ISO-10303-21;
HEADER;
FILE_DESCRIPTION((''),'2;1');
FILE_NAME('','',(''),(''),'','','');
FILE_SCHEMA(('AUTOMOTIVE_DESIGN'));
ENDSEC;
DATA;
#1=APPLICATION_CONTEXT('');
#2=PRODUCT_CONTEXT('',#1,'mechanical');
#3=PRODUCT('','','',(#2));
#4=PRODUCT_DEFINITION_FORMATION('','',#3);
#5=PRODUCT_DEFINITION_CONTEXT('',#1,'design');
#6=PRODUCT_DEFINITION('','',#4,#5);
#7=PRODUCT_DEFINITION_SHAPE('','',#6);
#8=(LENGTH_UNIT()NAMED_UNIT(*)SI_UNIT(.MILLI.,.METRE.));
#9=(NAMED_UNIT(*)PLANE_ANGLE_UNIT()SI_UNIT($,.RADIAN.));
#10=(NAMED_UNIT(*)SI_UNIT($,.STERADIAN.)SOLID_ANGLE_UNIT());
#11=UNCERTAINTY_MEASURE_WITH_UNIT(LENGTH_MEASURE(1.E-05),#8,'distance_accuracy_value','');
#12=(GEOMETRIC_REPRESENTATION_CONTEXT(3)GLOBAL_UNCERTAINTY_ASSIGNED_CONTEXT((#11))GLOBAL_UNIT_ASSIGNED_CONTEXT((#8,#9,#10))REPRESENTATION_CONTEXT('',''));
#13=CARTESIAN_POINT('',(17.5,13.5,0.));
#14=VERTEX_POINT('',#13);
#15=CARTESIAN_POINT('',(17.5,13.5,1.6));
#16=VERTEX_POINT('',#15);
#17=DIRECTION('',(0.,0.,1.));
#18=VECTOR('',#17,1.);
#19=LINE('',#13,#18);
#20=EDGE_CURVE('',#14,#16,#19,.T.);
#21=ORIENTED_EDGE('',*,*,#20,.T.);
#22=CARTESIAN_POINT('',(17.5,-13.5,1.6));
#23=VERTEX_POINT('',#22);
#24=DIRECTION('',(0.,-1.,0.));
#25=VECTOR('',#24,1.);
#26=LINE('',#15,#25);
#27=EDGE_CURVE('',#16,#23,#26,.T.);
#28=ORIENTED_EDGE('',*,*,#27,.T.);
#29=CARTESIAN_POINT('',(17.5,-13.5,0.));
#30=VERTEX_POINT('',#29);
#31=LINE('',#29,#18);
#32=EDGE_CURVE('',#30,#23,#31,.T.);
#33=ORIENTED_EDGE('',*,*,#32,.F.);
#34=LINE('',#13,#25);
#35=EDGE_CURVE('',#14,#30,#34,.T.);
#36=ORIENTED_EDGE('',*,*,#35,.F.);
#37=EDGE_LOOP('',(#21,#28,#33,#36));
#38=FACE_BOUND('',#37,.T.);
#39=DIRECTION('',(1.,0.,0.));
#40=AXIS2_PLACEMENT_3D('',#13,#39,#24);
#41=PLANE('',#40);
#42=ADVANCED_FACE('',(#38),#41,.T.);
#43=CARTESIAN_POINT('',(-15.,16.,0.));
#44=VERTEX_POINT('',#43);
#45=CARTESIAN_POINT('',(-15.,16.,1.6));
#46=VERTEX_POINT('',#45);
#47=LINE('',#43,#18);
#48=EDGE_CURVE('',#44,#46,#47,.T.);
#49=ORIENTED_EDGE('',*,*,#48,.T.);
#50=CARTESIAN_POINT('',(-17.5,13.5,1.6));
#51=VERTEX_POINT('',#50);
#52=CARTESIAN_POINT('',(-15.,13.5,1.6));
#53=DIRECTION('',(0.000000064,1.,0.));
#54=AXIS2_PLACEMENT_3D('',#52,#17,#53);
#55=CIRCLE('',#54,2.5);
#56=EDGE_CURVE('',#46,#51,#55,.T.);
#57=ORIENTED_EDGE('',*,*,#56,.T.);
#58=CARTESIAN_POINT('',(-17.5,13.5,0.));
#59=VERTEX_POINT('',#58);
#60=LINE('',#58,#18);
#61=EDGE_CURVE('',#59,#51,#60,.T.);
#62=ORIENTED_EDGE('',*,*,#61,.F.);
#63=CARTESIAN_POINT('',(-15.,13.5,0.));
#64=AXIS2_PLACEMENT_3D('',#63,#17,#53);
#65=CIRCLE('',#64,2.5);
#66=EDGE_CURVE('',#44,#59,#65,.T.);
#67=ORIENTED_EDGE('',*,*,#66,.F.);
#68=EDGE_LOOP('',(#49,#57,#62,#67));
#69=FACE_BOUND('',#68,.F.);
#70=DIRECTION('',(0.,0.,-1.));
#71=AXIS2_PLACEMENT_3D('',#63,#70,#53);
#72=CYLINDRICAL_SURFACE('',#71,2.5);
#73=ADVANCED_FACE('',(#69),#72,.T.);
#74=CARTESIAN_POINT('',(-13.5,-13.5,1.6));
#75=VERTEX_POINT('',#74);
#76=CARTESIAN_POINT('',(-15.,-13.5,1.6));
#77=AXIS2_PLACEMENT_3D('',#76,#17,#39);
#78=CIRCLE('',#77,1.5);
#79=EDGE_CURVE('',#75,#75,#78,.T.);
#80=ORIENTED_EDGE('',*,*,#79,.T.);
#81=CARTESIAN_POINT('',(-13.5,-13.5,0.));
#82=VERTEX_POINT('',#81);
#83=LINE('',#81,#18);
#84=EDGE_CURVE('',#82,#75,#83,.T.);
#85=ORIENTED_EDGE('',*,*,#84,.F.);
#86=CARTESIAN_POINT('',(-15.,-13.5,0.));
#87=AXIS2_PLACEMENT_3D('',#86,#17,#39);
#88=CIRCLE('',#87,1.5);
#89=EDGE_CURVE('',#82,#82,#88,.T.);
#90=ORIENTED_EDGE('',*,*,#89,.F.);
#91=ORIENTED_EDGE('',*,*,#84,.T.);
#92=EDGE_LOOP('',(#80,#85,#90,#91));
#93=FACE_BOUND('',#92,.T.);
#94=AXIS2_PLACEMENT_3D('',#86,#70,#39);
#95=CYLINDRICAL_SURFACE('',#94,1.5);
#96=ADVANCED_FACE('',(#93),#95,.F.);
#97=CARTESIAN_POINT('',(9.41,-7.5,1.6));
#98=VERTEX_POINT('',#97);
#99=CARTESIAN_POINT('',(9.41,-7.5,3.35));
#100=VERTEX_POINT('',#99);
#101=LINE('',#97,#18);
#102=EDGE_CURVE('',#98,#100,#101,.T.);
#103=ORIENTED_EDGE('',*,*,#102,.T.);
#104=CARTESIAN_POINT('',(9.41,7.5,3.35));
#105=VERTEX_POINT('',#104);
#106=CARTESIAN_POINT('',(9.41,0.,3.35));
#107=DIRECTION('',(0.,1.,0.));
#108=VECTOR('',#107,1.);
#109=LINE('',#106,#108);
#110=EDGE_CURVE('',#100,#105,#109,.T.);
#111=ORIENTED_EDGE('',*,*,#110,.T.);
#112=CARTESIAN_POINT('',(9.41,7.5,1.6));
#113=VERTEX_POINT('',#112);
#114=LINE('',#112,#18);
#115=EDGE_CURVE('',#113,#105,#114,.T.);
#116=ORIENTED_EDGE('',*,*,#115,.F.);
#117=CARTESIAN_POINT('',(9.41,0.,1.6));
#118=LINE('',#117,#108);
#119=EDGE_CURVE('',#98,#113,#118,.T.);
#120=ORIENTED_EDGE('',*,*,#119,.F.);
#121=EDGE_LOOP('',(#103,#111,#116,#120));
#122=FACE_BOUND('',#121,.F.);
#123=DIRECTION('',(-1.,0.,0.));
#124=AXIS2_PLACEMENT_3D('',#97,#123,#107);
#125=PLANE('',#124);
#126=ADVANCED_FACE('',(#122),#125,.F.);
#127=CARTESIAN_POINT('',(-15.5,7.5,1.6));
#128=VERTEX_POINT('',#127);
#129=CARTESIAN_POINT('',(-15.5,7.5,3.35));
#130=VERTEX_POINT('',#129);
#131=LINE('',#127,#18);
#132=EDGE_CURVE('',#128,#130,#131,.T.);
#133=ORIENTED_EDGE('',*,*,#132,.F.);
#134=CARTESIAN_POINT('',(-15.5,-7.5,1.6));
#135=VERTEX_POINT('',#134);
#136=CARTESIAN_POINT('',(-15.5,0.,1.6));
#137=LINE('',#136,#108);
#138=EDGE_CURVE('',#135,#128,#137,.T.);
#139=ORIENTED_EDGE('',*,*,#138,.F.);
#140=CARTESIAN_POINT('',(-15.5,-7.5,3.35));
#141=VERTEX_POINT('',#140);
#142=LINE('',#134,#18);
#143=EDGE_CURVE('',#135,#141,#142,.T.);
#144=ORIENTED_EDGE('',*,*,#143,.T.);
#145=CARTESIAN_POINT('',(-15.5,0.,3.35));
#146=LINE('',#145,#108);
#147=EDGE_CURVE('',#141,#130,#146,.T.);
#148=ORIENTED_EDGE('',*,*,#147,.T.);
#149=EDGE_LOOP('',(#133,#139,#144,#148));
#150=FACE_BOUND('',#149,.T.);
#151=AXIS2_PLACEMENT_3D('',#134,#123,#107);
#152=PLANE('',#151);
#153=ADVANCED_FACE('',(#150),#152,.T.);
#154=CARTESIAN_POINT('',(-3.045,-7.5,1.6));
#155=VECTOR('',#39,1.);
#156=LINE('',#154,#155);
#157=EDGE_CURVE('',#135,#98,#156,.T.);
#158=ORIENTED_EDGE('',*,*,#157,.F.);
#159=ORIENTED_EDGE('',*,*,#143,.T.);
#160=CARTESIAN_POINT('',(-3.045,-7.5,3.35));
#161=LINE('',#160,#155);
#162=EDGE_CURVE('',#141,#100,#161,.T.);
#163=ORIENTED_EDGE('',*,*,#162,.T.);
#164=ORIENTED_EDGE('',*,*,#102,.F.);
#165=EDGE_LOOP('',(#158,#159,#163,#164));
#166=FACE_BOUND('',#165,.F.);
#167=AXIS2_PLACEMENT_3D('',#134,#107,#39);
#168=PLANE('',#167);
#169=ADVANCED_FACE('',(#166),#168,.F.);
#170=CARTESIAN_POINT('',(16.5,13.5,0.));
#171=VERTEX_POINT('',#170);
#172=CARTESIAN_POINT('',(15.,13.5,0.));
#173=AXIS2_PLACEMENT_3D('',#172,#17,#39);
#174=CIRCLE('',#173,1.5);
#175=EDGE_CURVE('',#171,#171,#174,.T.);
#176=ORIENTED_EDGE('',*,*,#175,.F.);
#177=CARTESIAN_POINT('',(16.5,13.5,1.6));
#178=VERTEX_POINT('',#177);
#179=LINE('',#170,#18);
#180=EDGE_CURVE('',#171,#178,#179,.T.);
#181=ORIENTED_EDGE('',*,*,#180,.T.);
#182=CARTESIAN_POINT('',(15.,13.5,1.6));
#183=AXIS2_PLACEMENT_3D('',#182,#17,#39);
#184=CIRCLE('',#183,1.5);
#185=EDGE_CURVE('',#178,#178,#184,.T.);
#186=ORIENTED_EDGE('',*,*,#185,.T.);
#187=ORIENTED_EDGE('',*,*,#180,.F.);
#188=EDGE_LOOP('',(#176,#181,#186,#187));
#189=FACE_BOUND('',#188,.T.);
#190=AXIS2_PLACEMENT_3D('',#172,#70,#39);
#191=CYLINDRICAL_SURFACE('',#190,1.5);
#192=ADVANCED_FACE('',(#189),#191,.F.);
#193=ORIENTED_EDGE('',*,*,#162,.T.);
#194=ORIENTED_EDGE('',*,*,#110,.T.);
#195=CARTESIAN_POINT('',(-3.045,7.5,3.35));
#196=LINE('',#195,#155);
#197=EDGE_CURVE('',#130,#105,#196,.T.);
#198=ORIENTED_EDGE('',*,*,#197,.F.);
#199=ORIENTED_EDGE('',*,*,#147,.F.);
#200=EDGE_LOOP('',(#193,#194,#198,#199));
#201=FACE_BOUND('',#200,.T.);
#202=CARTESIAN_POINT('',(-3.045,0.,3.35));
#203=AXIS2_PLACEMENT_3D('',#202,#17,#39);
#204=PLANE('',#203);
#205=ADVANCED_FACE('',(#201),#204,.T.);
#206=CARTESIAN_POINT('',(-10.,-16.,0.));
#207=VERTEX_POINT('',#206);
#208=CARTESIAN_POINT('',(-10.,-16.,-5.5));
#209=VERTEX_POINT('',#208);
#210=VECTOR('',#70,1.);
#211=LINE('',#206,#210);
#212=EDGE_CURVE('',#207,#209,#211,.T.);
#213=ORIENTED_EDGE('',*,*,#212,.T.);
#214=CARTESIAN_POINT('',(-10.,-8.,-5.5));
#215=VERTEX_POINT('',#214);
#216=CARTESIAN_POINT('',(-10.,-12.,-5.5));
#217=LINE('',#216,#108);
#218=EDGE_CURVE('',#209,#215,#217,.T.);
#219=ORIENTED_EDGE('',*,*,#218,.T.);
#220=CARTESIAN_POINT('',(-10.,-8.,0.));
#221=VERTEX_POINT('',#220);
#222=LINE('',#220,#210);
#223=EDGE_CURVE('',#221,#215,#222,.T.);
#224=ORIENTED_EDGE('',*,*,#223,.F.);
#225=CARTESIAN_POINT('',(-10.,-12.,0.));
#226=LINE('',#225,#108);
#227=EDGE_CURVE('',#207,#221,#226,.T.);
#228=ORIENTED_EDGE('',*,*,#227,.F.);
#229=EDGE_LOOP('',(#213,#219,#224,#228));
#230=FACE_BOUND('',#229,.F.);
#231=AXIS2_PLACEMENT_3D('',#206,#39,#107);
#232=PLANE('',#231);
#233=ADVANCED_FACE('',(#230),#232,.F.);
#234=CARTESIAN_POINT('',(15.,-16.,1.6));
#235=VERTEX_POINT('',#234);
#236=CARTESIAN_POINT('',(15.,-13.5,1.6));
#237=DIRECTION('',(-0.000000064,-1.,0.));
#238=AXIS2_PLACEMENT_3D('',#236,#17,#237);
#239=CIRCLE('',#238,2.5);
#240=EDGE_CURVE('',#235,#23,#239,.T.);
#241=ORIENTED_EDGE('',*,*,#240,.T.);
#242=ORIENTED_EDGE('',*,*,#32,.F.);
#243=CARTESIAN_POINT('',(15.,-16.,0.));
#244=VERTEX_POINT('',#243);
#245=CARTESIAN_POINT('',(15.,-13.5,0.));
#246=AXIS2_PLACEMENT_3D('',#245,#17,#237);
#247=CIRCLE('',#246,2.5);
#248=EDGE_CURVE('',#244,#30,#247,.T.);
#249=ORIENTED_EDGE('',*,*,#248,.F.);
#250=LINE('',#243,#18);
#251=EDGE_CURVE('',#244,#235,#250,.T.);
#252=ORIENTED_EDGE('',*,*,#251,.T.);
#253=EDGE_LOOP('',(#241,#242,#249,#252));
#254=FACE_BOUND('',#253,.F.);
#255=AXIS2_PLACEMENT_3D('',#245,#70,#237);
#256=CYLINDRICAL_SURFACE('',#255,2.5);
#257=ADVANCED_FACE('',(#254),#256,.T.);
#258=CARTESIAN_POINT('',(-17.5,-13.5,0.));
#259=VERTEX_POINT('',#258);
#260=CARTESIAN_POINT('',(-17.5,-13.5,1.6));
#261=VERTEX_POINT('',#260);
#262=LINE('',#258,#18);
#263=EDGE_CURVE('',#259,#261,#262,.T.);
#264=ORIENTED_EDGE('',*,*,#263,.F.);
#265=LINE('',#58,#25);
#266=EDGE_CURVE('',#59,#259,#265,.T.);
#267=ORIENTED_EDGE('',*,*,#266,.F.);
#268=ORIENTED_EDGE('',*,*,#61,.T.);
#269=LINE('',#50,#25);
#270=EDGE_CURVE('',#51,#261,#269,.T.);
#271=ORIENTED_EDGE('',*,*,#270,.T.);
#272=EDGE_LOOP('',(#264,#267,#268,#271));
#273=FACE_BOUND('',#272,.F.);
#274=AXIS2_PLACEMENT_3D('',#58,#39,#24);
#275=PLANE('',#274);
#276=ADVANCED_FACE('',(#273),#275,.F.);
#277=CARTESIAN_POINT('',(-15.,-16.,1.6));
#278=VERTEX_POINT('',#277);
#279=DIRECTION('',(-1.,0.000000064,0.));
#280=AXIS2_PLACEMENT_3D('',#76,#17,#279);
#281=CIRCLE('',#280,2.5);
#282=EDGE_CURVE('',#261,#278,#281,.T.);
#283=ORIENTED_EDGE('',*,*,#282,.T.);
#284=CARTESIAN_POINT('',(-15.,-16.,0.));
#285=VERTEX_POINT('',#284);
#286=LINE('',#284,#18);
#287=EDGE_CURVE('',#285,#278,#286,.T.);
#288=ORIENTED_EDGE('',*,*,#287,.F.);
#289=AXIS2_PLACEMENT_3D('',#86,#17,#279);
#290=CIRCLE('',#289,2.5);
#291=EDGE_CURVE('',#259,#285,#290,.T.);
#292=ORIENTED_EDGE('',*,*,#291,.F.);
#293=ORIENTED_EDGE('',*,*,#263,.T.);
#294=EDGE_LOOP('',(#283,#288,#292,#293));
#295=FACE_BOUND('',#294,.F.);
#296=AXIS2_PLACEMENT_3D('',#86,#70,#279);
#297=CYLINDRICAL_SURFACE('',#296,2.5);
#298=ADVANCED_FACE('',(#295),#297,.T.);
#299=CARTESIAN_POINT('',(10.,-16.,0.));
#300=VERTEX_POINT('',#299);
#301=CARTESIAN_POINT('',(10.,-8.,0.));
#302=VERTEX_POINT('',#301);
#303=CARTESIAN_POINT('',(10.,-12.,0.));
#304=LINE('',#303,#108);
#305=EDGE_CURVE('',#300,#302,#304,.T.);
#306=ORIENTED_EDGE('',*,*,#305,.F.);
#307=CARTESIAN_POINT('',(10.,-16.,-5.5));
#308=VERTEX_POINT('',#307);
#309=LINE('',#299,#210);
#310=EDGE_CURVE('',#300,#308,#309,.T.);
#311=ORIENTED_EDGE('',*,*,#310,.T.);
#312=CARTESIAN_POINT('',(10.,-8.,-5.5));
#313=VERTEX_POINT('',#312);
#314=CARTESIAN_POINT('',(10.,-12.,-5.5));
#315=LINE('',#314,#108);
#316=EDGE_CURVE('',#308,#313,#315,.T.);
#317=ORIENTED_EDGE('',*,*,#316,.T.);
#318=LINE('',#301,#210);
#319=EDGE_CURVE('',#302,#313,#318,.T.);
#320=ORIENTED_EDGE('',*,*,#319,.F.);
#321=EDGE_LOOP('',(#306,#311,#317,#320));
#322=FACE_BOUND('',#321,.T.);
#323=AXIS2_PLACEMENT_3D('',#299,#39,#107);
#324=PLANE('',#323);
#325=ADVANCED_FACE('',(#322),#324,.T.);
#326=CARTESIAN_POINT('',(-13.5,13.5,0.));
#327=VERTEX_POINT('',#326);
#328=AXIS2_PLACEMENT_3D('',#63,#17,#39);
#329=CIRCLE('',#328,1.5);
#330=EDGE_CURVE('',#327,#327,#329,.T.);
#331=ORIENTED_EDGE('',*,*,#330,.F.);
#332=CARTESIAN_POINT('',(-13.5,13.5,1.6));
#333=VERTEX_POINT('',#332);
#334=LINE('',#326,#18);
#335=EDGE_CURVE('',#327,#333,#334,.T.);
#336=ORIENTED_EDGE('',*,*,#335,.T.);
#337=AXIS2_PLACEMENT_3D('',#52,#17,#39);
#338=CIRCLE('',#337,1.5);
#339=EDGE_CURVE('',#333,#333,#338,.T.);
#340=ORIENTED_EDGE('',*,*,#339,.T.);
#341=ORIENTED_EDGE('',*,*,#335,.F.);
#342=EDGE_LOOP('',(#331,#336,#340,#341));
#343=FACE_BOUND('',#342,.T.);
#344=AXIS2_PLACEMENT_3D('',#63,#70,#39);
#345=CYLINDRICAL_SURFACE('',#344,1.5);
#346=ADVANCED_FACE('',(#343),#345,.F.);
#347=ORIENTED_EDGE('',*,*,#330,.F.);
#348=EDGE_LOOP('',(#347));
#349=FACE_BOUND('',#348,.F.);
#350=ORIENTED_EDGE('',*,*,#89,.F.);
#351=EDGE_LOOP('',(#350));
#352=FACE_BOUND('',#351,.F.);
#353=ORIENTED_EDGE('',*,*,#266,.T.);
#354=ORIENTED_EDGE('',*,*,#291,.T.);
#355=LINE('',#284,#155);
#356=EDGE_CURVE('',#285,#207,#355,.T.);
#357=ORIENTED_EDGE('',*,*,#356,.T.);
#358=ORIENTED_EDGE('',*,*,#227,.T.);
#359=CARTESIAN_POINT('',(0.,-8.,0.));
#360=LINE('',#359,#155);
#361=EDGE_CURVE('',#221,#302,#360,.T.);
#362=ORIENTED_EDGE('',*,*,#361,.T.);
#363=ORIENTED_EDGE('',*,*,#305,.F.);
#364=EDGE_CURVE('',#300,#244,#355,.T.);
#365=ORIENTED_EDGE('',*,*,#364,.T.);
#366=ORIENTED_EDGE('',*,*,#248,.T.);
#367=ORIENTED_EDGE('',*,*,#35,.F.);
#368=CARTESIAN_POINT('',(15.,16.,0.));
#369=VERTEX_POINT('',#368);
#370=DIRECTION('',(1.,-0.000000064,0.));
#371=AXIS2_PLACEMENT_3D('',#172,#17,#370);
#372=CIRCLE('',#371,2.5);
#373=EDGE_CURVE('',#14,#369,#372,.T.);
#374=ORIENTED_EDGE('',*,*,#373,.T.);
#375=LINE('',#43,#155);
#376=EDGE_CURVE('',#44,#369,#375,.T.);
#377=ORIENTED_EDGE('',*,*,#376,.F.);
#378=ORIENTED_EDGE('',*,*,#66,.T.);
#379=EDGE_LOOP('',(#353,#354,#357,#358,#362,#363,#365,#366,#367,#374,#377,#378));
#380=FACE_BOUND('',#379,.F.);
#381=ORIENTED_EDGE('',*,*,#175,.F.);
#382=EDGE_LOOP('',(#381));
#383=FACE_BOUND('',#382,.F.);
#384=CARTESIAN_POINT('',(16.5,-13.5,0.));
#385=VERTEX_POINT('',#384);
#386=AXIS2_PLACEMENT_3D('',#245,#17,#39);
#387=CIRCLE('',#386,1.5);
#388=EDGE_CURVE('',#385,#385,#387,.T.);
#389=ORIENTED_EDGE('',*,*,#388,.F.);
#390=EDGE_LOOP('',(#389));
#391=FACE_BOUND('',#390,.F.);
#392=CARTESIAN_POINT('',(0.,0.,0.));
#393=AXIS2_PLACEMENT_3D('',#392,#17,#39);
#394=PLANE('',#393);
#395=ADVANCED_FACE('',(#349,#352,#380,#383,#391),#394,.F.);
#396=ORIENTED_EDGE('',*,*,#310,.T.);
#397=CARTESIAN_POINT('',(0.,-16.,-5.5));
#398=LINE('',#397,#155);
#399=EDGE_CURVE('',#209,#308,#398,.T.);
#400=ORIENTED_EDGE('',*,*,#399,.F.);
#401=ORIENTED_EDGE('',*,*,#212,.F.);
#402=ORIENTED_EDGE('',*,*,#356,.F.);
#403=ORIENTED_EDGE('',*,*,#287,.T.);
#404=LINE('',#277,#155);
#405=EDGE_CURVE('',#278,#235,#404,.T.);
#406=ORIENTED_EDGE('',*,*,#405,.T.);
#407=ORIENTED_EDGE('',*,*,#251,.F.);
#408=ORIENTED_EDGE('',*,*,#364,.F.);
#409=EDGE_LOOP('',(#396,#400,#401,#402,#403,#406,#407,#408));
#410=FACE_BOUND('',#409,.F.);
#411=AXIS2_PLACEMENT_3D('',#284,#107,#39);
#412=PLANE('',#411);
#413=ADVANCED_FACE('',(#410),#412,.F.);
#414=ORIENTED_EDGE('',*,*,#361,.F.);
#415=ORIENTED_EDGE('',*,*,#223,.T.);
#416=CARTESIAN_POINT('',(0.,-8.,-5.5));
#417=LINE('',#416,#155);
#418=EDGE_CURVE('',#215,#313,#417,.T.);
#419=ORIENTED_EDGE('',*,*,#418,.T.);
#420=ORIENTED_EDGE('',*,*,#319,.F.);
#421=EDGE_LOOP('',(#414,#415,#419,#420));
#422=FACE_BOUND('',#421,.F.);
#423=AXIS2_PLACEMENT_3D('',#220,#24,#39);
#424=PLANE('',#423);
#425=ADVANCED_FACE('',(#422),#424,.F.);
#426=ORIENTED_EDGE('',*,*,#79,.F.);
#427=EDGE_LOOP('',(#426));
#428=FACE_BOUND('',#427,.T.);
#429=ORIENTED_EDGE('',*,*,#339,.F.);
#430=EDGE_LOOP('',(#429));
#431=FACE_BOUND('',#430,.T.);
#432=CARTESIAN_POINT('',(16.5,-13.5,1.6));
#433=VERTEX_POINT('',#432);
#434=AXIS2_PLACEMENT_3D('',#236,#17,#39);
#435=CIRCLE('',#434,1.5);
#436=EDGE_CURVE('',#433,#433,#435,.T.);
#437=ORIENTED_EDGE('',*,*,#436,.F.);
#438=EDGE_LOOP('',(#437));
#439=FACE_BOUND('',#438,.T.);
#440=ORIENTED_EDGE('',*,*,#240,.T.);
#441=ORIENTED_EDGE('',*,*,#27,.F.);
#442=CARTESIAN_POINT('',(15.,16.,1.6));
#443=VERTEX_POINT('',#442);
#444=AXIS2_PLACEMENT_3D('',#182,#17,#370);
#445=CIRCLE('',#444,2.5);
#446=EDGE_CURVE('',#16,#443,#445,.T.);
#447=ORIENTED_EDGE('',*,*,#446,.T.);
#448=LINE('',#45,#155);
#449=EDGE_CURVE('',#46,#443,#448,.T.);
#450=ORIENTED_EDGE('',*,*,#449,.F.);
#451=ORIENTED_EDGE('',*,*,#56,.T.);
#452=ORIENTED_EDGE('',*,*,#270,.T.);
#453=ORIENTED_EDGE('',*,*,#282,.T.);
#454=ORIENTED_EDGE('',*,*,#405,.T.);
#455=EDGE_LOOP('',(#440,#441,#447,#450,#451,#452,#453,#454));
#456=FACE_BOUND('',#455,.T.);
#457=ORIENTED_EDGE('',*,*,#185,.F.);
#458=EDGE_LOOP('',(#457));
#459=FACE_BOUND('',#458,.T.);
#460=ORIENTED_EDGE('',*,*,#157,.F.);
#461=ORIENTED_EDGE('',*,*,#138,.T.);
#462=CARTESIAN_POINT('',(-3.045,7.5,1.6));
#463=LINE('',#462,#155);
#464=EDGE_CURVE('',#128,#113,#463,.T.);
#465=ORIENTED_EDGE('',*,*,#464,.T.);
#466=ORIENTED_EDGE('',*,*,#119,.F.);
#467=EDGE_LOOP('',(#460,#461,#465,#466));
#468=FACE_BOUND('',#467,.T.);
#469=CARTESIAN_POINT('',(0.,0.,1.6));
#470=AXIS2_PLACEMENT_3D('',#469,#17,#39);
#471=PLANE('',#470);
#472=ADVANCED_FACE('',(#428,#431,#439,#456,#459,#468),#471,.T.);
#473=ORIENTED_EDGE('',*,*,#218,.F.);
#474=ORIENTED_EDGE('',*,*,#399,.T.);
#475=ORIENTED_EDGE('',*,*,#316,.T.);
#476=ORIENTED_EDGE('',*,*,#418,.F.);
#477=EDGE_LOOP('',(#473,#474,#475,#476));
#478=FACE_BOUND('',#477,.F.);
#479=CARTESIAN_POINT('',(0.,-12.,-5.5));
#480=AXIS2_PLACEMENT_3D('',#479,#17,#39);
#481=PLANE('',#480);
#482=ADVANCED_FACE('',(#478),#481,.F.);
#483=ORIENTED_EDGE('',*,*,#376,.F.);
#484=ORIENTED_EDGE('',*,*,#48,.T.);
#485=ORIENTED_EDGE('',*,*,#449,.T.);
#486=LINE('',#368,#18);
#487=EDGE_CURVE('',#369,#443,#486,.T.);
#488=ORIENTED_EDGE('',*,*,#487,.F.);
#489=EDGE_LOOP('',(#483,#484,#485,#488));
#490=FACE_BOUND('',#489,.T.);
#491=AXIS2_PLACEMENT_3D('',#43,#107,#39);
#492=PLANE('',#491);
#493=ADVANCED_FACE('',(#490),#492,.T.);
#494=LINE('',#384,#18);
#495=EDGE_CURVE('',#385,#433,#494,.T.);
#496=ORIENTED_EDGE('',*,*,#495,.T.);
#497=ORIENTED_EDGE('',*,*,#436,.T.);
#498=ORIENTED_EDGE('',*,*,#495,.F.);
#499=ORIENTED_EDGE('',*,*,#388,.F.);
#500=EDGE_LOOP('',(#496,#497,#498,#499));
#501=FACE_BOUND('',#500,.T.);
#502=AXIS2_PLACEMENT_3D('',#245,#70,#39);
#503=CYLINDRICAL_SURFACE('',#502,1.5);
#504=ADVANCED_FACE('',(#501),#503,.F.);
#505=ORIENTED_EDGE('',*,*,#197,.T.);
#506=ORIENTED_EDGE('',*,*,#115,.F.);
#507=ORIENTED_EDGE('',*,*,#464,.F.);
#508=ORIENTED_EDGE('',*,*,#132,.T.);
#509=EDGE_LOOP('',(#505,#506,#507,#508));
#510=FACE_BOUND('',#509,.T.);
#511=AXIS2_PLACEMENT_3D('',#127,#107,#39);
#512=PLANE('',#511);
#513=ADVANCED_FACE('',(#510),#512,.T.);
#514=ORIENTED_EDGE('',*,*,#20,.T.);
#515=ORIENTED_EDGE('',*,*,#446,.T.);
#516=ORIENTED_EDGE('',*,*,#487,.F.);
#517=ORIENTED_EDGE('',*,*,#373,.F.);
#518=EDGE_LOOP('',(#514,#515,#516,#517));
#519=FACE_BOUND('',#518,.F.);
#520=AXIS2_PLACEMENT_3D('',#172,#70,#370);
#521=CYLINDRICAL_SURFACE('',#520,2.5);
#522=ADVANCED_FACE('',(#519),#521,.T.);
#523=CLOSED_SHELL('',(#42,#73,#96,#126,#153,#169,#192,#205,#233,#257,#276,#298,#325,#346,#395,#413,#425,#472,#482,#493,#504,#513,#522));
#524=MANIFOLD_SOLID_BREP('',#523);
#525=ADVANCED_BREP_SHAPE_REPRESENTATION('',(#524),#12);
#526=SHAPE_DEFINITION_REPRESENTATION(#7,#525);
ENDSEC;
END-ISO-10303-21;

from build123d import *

# Parameters (mm, degrees)
SKETCH_R     = 1.5
PAD_DEPTH    = 1.6
SKETCH001_W  = 24.91
SKETCH001_H  = 15
PAD001_DEPTH = 1.75
SKETCH002_W  = 20
SKETCH002_H  = 8
PAD002_DEPTH = 5.5


with BuildPart() as part:
    # Sketch → Pad (new body)
    with BuildSketch(Plane.XY):
        with BuildLine():
            ThreePointArc((-15, 16), (-16.767767, 15.267767), (-17.5, 13.5))
            Line((-17.5, 13.5), (-17.5, -13.5))
            ThreePointArc((-17.5, -13.5), (-16.767767, -15.267767), (-15, -16))
            Line((-15, -16), (15, -16))
            ThreePointArc((15, -16), (16.767767, -15.267767), (17.5, -13.5))
            Line((17.5, 13.5), (17.5, -13.5))
            ThreePointArc((17.5, 13.5), (16.767767, 15.267767), (15, 16))
            Line((-15, 16), (15, 16))
        make_face()
        with Locations((-15, 13.5)):
            Circle(SKETCH_R, mode=Mode.SUBTRACT)
        with Locations((15, 13.5)):
            Circle(SKETCH_R, mode=Mode.SUBTRACT)
        with Locations((15, -13.5)):
            Circle(SKETCH_R, mode=Mode.SUBTRACT)
        with Locations((-15, -13.5)):
            Circle(SKETCH_R, mode=Mode.SUBTRACT)
    extrude(amount=PAD_DEPTH)

    # Sketch001 → Pad001 (join)
    with BuildSketch(Plane.XY.offset(1.6)):
        with Locations((-3.045, 0)):
            Rectangle(SKETCH001_W, SKETCH001_H)
    extrude(amount=PAD001_DEPTH)

    # Sketch002 → Pad002 (join)
    with BuildSketch(Plane.XY):
        with Locations((0, -12)):
            Rectangle(SKETCH002_W, SKETCH002_H)
    extrude(amount=-PAD002_DEPTH)


solid = part.part
